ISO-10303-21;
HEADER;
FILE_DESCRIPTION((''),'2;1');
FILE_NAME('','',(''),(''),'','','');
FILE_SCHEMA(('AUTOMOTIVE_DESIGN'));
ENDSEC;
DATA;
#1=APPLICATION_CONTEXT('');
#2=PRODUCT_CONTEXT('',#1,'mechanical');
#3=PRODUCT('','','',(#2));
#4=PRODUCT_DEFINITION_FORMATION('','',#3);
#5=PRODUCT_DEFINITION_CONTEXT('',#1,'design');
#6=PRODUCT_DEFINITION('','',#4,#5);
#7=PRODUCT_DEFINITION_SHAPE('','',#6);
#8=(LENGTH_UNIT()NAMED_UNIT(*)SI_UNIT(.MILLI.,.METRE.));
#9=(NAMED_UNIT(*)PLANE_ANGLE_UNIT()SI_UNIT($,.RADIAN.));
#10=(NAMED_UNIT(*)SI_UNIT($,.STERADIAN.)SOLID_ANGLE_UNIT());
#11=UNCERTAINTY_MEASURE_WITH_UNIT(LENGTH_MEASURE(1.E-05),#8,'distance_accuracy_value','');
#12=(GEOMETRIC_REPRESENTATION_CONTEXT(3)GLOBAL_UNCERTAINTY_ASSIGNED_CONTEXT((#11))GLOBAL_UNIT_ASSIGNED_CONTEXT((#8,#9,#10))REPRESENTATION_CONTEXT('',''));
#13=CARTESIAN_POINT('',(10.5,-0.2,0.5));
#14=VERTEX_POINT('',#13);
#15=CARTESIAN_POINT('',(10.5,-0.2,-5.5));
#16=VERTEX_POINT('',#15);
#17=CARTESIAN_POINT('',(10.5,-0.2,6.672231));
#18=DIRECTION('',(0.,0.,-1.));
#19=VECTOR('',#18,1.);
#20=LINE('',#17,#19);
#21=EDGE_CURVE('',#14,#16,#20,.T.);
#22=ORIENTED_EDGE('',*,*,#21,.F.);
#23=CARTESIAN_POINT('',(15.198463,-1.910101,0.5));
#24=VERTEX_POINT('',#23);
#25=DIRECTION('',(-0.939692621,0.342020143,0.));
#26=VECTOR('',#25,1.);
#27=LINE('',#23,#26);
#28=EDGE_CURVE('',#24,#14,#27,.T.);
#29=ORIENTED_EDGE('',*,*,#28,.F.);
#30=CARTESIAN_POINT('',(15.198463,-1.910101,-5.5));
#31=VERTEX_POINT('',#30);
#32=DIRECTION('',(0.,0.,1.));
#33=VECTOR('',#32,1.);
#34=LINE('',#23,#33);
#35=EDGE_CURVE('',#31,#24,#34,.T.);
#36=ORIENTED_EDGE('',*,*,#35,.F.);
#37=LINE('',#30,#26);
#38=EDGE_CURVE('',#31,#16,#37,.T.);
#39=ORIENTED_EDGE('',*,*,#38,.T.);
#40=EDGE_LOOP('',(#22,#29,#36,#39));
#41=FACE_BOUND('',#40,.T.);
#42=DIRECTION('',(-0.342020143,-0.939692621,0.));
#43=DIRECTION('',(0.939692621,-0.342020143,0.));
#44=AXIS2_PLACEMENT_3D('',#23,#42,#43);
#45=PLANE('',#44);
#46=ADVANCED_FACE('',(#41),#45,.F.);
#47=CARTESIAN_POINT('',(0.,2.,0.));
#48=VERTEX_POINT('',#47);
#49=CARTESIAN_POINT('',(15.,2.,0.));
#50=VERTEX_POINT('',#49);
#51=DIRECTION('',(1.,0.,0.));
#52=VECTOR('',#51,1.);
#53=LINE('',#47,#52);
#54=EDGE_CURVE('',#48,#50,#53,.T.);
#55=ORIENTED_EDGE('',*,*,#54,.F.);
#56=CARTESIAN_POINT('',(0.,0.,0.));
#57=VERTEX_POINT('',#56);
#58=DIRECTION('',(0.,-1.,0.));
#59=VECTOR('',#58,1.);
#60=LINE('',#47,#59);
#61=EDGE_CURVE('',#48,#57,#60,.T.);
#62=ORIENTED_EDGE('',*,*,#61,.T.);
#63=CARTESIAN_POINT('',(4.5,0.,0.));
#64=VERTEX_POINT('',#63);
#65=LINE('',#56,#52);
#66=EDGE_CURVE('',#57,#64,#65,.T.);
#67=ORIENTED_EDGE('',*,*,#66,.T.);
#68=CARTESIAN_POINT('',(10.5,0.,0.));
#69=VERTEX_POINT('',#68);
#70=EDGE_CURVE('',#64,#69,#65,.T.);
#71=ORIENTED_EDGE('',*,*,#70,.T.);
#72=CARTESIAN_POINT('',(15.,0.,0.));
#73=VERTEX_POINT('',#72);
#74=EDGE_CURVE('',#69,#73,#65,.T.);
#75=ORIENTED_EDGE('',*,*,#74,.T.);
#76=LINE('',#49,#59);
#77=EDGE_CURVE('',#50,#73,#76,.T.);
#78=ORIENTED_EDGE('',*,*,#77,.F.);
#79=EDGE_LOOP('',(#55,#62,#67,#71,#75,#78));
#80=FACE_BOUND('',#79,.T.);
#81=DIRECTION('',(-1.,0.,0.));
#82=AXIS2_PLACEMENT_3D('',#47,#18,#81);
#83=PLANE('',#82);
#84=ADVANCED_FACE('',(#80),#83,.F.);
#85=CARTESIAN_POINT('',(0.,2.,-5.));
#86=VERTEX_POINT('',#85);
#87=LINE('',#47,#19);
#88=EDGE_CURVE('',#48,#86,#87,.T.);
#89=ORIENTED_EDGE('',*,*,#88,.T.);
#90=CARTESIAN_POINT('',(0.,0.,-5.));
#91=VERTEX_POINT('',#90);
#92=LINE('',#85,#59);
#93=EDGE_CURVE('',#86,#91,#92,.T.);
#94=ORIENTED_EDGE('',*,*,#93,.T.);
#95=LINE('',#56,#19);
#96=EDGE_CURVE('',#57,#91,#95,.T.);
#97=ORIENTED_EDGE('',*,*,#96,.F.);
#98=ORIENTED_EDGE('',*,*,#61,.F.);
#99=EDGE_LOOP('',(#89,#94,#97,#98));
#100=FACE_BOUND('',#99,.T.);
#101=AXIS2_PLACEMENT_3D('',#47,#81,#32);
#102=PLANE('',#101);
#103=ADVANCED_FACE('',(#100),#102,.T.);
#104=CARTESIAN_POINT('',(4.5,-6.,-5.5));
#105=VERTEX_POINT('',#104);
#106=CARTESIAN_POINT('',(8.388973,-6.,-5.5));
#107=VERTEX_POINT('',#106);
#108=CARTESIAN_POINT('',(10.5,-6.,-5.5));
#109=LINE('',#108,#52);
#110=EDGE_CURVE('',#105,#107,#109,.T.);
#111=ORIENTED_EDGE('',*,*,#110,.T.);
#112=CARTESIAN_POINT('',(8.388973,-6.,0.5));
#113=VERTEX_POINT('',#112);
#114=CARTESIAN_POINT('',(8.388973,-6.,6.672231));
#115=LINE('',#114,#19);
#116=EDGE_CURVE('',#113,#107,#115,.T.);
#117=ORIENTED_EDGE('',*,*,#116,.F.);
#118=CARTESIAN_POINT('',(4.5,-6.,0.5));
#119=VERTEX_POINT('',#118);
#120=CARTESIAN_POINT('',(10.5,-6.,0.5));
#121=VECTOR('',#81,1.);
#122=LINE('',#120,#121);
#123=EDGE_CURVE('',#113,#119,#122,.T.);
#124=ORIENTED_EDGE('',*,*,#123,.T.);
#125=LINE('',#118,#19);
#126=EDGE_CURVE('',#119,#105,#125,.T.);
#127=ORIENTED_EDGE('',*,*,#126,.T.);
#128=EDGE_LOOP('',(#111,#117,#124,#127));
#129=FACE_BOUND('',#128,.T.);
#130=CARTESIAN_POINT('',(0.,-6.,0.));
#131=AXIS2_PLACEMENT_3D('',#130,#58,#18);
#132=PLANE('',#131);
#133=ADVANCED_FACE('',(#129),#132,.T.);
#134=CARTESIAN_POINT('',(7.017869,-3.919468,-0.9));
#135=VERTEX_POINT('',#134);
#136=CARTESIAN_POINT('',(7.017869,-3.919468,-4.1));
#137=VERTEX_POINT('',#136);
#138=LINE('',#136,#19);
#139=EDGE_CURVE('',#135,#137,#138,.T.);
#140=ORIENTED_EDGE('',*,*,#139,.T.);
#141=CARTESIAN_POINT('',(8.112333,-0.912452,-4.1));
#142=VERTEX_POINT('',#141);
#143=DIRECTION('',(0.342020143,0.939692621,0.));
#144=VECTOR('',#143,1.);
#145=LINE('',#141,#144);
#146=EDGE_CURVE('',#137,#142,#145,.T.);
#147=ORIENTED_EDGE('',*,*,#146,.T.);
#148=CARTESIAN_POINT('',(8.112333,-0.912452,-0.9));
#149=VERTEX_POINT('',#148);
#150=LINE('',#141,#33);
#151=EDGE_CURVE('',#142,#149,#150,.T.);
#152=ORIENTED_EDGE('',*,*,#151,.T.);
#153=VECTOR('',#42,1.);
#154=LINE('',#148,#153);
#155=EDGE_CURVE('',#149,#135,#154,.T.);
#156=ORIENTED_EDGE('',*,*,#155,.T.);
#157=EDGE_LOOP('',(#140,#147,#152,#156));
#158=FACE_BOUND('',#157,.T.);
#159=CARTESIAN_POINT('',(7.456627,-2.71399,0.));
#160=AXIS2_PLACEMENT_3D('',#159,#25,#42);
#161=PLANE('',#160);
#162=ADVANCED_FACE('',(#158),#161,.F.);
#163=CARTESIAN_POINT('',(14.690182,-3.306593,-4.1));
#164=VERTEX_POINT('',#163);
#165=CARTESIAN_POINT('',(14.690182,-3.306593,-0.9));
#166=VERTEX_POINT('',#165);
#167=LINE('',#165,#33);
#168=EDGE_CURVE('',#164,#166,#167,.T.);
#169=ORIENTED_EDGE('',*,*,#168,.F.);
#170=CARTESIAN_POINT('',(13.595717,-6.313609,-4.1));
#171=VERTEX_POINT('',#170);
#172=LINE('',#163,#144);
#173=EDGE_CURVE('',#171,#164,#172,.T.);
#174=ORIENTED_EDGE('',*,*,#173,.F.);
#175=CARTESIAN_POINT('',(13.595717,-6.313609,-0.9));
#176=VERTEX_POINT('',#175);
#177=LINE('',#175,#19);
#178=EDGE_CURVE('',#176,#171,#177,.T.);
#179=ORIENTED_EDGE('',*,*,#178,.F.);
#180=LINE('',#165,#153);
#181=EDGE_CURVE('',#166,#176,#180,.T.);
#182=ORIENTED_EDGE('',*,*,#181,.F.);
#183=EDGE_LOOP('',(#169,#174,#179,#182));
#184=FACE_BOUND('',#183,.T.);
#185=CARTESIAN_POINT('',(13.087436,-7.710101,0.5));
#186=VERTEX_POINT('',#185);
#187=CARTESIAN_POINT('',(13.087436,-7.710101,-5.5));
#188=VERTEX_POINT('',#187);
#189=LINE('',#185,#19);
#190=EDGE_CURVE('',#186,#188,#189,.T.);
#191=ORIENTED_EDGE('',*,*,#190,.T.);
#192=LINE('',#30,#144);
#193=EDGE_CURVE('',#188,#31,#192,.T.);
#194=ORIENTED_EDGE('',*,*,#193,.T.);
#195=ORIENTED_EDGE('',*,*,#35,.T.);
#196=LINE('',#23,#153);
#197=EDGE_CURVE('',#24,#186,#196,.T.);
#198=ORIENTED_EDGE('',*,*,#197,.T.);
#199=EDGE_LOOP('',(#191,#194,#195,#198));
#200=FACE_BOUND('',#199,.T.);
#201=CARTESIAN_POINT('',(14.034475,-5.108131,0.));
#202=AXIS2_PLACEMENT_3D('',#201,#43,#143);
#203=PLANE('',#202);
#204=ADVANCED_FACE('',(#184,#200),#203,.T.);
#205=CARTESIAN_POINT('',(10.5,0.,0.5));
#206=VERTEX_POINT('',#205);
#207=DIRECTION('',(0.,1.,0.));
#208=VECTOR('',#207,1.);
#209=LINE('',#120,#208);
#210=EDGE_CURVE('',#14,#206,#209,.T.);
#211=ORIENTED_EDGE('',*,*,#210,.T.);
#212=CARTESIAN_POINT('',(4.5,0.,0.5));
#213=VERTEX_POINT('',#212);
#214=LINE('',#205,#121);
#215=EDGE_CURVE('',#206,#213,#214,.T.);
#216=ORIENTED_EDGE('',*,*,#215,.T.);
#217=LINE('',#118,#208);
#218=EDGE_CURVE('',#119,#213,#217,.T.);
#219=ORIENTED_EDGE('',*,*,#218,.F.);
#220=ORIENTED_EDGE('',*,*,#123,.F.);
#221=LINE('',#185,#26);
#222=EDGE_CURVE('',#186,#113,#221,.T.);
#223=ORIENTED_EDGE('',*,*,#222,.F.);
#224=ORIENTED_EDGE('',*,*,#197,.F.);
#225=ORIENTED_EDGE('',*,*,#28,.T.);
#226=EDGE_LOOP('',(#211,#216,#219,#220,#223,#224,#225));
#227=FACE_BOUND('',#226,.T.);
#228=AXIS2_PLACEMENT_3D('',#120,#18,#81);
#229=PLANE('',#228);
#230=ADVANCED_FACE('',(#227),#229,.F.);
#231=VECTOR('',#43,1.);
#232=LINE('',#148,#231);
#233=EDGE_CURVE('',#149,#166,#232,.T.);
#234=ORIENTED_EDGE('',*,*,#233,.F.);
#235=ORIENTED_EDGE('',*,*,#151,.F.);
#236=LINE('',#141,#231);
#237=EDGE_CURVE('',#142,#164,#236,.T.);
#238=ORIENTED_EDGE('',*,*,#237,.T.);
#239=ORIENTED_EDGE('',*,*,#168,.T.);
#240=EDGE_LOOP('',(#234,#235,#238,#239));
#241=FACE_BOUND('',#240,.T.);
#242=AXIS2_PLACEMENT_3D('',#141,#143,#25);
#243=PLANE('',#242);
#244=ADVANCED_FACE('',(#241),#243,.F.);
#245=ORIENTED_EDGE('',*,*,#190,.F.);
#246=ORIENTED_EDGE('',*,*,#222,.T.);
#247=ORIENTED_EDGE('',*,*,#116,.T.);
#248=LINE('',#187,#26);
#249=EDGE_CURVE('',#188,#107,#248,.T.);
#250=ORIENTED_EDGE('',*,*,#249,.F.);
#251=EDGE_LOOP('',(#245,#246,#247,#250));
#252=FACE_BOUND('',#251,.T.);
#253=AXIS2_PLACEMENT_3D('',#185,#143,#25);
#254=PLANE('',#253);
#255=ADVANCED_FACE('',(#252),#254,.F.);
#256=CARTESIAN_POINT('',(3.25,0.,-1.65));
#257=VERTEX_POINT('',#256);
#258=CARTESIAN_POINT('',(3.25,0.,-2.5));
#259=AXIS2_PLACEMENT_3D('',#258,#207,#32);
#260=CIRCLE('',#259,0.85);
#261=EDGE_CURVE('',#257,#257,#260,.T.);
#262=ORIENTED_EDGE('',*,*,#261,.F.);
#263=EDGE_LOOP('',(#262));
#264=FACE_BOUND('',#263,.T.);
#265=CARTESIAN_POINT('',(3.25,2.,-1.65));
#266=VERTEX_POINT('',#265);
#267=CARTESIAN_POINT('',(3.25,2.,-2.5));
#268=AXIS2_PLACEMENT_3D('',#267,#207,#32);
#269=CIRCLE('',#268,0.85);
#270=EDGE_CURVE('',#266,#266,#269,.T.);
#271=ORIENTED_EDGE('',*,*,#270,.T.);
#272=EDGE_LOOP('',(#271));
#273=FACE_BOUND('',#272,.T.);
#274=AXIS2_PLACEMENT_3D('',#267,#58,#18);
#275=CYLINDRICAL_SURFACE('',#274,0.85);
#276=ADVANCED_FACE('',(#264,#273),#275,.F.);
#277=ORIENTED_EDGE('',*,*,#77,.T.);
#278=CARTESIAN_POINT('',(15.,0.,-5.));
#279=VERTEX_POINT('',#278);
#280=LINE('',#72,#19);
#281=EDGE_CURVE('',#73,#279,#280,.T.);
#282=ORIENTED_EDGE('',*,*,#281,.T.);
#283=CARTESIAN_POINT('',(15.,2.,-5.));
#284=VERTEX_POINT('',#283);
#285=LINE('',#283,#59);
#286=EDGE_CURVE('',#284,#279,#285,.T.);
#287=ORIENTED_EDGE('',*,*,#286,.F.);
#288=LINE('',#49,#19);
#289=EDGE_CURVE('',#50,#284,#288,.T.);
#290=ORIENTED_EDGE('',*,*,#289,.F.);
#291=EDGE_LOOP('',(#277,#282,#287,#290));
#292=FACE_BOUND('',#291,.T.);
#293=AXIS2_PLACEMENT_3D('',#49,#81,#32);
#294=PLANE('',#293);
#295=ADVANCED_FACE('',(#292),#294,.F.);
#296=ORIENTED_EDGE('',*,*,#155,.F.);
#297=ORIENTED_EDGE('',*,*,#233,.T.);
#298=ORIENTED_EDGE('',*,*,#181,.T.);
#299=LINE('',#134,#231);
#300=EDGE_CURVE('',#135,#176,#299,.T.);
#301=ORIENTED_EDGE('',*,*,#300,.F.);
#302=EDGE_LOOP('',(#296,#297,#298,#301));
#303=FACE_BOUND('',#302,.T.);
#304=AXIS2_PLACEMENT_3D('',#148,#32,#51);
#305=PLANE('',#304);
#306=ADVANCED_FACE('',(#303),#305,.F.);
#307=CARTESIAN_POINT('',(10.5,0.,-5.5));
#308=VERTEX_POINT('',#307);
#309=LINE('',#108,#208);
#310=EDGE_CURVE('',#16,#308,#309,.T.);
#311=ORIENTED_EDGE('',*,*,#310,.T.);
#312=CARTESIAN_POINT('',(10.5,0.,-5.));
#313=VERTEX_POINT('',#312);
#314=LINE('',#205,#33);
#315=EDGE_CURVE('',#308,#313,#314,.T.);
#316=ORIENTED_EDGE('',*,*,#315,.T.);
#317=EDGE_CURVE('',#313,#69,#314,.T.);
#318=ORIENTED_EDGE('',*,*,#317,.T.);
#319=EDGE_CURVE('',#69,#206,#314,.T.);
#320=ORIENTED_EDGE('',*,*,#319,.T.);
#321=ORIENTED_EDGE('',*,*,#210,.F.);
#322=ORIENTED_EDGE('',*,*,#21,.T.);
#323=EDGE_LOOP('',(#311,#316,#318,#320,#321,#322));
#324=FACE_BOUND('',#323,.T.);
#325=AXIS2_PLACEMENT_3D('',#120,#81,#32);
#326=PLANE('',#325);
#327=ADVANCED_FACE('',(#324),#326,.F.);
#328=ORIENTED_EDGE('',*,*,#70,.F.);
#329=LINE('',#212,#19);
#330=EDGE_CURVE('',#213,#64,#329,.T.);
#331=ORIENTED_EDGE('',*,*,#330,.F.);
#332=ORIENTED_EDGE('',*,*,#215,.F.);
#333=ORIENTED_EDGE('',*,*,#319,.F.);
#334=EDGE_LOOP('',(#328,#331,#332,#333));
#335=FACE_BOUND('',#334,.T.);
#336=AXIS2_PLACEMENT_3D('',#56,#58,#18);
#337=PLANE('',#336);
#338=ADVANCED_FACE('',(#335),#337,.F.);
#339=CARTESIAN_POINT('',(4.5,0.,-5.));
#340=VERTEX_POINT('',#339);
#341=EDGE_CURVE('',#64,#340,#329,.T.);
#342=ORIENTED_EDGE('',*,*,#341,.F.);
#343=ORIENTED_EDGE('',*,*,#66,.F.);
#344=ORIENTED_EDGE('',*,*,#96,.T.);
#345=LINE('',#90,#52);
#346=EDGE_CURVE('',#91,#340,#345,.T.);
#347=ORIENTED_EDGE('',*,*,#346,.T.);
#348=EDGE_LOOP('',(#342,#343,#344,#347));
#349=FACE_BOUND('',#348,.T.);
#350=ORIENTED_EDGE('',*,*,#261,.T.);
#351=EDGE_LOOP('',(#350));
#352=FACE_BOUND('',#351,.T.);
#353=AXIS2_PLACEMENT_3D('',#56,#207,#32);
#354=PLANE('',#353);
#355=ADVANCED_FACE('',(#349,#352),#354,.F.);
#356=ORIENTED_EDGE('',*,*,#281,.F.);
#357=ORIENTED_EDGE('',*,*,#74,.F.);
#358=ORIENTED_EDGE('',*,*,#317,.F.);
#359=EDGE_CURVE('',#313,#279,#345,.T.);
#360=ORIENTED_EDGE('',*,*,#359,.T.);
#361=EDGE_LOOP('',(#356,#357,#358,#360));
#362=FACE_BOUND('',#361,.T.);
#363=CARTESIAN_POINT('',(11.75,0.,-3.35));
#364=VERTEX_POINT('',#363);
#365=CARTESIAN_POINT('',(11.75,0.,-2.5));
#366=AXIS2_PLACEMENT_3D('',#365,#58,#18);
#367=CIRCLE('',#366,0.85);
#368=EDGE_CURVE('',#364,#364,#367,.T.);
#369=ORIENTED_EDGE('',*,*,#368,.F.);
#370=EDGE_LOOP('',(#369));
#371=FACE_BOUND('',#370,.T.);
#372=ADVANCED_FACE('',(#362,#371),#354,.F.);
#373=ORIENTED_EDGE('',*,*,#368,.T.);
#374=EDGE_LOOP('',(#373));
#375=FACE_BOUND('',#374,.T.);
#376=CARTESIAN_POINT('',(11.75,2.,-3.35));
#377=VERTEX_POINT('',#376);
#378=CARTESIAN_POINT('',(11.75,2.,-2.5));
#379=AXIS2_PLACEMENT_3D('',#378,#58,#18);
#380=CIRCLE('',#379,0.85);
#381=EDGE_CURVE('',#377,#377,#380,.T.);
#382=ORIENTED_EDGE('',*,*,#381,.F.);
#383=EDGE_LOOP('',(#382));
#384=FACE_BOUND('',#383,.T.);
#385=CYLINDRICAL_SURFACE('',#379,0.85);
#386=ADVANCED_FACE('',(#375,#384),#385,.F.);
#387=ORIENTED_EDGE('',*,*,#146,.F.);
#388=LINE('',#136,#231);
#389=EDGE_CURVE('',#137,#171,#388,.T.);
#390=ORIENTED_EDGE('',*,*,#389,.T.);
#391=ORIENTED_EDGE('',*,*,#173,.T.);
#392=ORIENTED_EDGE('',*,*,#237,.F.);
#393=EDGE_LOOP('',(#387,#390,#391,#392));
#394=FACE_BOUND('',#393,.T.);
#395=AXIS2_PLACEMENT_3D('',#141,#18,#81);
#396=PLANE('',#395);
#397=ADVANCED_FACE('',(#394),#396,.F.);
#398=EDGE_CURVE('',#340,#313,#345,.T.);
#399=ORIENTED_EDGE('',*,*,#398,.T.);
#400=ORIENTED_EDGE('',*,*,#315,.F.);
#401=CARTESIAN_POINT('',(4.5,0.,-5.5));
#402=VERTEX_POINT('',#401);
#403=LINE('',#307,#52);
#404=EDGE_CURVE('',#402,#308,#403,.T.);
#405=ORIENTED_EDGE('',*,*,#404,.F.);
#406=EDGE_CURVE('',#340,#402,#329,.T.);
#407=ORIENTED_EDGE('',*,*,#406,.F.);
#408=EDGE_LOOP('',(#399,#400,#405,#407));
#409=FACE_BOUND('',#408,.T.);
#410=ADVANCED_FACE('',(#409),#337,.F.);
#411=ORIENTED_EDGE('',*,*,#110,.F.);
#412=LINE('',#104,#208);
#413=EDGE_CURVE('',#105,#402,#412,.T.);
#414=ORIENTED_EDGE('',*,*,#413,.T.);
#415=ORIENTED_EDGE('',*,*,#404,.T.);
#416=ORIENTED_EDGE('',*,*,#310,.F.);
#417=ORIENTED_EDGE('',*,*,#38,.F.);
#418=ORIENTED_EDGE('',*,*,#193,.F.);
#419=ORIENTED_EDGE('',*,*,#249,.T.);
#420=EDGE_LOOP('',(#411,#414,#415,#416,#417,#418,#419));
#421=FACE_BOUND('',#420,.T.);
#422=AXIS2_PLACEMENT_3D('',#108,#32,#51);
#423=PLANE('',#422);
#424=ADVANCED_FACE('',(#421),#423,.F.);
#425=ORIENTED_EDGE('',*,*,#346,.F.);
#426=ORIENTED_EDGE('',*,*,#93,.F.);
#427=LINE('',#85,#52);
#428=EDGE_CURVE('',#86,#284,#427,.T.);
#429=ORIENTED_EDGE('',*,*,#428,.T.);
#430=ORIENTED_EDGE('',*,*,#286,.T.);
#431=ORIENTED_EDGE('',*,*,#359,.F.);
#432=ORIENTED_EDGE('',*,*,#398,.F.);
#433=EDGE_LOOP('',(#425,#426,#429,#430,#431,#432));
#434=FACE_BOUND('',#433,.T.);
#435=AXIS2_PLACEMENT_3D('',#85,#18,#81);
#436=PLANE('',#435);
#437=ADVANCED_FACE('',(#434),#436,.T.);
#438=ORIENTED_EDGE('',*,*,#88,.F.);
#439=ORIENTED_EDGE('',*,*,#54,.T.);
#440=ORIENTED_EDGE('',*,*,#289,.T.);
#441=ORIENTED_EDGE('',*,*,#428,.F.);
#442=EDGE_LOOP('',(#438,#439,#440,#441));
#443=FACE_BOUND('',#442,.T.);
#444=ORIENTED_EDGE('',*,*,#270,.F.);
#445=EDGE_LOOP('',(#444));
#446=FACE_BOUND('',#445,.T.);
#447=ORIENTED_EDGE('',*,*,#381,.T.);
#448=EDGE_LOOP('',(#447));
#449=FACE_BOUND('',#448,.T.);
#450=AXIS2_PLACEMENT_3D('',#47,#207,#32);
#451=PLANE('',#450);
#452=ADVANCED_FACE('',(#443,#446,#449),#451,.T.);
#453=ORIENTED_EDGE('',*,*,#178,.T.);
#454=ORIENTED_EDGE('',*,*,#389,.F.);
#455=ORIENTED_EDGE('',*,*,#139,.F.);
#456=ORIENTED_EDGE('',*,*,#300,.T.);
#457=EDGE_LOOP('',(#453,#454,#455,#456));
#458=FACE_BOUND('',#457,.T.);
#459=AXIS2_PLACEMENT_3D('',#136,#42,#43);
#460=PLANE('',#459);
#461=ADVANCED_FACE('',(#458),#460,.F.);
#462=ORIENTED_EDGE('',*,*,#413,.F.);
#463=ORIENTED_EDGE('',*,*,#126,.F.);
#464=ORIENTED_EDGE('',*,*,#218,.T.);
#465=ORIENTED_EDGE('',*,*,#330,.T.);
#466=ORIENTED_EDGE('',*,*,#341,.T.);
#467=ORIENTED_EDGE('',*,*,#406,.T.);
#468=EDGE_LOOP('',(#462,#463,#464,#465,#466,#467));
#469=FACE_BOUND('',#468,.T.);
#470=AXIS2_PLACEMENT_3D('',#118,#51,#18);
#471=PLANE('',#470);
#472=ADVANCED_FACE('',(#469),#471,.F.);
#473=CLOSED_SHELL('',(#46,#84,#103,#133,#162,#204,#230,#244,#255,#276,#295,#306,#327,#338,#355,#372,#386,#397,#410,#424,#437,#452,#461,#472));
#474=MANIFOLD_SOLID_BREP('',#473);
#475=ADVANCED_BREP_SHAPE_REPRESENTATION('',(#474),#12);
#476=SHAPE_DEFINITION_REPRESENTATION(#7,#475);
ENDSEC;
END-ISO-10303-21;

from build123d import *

# Parameters (mm, degrees)
SKETCH_1_W          = 15
SKETCH_1_H          = 5
SKETCH_1_R          = 0.85
EXTRUDE_1_DEPTH     = 2
SKETCH_2_W          = 6
SKETCH_2_H          = 6
EXTRUDE_3_DEPTH     = 6
CUT_EXTRUDE_2_DEPTH = 6
SKETCH_7_W          = 3.2
SKETCH_7_H          = 3.2
CUT_EXTRUDE_3_DEPTH = 2
SKETCH_10_W         = 6
SKETCH_10_H         = 6.172231081
SKETCH_10_W_2       = 3.2
SKETCH_10_H_2       = 3.2
EXTRUDE_4_DEPTH     = 5


with BuildPart() as part:
    # 草图1 → 凸台-拉伸1 (new body)
    with BuildSketch(Plane(origin=(0, 0, 0), x_dir=(1, 0, 0), z_dir=(0, 1, 0))):
        with Locations((7.5, 2.5)):
            Rectangle(SKETCH_1_W, SKETCH_1_H)
        with Locations(Location((3.25, 2.5, 0), (0, 0, 270))):
            Circle(SKETCH_1_R, mode=Mode.SUBTRACT)
        with Locations(Location((11.75, 2.5, 0), (0, 0, 90))):
            Circle(SKETCH_1_R, mode=Mode.SUBTRACT)
    extrude(amount=EXTRUDE_1_DEPTH)

    # 草图2 → 凸台-拉伸3 (add)
    with BuildSketch(Plane.XZ):
        with Locations((7.5, -2.5)):
            Rectangle(SKETCH_2_W, SKETCH_2_H)
    extrude(amount=EXTRUDE_3_DEPTH)

    # 草图6 → 切除-拉伸2 (cut)
    with BuildSketch(Plane(origin=(0, 0, -5.5), x_dir=(-1, 0, 0), z_dir=(0, 0, -1))):
        Polygon((-10.5, -0.2), (-10.5, -6), (-8.388972641, -6), align=None)
    extrude(amount=-CUT_EXTRUDE_2_DEPTH, mode=Mode.SUBTRACT)

    # 草图7 → 切除-拉伸3 (cut)
    with BuildSketch(Plane(origin=(9.336012087, -3.398030507, 0), x_dir=(0, 0, -1), z_dir=(0.9396926207859104, -0.3420201433256631, 0))):
        with Locations((2.5, 0.317157441)):
            Rectangle(SKETCH_7_W, SKETCH_7_H)
    extrude(amount=-CUT_EXTRUDE_3_DEPTH, mode=Mode.SUBTRACT)

    # 草图10 → 凸台-拉伸4 (add)
    with BuildSketch(Plane(origin=(9.336012087, -3.398030507, 0), x_dir=(0, 0, -1), z_dir=(0.9396926207859104, -0.3420201433256631, 0))):
        with Locations((2.5, 0.31715744)):
            Rectangle(SKETCH_10_W, SKETCH_10_H)
        with Locations((2.5, 0.317157441)):
            Rectangle(SKETCH_10_W_2, SKETCH_10_H_2, mode=Mode.SUBTRACT)
    extrude(amount=EXTRUDE_4_DEPTH)


solid = part.part
